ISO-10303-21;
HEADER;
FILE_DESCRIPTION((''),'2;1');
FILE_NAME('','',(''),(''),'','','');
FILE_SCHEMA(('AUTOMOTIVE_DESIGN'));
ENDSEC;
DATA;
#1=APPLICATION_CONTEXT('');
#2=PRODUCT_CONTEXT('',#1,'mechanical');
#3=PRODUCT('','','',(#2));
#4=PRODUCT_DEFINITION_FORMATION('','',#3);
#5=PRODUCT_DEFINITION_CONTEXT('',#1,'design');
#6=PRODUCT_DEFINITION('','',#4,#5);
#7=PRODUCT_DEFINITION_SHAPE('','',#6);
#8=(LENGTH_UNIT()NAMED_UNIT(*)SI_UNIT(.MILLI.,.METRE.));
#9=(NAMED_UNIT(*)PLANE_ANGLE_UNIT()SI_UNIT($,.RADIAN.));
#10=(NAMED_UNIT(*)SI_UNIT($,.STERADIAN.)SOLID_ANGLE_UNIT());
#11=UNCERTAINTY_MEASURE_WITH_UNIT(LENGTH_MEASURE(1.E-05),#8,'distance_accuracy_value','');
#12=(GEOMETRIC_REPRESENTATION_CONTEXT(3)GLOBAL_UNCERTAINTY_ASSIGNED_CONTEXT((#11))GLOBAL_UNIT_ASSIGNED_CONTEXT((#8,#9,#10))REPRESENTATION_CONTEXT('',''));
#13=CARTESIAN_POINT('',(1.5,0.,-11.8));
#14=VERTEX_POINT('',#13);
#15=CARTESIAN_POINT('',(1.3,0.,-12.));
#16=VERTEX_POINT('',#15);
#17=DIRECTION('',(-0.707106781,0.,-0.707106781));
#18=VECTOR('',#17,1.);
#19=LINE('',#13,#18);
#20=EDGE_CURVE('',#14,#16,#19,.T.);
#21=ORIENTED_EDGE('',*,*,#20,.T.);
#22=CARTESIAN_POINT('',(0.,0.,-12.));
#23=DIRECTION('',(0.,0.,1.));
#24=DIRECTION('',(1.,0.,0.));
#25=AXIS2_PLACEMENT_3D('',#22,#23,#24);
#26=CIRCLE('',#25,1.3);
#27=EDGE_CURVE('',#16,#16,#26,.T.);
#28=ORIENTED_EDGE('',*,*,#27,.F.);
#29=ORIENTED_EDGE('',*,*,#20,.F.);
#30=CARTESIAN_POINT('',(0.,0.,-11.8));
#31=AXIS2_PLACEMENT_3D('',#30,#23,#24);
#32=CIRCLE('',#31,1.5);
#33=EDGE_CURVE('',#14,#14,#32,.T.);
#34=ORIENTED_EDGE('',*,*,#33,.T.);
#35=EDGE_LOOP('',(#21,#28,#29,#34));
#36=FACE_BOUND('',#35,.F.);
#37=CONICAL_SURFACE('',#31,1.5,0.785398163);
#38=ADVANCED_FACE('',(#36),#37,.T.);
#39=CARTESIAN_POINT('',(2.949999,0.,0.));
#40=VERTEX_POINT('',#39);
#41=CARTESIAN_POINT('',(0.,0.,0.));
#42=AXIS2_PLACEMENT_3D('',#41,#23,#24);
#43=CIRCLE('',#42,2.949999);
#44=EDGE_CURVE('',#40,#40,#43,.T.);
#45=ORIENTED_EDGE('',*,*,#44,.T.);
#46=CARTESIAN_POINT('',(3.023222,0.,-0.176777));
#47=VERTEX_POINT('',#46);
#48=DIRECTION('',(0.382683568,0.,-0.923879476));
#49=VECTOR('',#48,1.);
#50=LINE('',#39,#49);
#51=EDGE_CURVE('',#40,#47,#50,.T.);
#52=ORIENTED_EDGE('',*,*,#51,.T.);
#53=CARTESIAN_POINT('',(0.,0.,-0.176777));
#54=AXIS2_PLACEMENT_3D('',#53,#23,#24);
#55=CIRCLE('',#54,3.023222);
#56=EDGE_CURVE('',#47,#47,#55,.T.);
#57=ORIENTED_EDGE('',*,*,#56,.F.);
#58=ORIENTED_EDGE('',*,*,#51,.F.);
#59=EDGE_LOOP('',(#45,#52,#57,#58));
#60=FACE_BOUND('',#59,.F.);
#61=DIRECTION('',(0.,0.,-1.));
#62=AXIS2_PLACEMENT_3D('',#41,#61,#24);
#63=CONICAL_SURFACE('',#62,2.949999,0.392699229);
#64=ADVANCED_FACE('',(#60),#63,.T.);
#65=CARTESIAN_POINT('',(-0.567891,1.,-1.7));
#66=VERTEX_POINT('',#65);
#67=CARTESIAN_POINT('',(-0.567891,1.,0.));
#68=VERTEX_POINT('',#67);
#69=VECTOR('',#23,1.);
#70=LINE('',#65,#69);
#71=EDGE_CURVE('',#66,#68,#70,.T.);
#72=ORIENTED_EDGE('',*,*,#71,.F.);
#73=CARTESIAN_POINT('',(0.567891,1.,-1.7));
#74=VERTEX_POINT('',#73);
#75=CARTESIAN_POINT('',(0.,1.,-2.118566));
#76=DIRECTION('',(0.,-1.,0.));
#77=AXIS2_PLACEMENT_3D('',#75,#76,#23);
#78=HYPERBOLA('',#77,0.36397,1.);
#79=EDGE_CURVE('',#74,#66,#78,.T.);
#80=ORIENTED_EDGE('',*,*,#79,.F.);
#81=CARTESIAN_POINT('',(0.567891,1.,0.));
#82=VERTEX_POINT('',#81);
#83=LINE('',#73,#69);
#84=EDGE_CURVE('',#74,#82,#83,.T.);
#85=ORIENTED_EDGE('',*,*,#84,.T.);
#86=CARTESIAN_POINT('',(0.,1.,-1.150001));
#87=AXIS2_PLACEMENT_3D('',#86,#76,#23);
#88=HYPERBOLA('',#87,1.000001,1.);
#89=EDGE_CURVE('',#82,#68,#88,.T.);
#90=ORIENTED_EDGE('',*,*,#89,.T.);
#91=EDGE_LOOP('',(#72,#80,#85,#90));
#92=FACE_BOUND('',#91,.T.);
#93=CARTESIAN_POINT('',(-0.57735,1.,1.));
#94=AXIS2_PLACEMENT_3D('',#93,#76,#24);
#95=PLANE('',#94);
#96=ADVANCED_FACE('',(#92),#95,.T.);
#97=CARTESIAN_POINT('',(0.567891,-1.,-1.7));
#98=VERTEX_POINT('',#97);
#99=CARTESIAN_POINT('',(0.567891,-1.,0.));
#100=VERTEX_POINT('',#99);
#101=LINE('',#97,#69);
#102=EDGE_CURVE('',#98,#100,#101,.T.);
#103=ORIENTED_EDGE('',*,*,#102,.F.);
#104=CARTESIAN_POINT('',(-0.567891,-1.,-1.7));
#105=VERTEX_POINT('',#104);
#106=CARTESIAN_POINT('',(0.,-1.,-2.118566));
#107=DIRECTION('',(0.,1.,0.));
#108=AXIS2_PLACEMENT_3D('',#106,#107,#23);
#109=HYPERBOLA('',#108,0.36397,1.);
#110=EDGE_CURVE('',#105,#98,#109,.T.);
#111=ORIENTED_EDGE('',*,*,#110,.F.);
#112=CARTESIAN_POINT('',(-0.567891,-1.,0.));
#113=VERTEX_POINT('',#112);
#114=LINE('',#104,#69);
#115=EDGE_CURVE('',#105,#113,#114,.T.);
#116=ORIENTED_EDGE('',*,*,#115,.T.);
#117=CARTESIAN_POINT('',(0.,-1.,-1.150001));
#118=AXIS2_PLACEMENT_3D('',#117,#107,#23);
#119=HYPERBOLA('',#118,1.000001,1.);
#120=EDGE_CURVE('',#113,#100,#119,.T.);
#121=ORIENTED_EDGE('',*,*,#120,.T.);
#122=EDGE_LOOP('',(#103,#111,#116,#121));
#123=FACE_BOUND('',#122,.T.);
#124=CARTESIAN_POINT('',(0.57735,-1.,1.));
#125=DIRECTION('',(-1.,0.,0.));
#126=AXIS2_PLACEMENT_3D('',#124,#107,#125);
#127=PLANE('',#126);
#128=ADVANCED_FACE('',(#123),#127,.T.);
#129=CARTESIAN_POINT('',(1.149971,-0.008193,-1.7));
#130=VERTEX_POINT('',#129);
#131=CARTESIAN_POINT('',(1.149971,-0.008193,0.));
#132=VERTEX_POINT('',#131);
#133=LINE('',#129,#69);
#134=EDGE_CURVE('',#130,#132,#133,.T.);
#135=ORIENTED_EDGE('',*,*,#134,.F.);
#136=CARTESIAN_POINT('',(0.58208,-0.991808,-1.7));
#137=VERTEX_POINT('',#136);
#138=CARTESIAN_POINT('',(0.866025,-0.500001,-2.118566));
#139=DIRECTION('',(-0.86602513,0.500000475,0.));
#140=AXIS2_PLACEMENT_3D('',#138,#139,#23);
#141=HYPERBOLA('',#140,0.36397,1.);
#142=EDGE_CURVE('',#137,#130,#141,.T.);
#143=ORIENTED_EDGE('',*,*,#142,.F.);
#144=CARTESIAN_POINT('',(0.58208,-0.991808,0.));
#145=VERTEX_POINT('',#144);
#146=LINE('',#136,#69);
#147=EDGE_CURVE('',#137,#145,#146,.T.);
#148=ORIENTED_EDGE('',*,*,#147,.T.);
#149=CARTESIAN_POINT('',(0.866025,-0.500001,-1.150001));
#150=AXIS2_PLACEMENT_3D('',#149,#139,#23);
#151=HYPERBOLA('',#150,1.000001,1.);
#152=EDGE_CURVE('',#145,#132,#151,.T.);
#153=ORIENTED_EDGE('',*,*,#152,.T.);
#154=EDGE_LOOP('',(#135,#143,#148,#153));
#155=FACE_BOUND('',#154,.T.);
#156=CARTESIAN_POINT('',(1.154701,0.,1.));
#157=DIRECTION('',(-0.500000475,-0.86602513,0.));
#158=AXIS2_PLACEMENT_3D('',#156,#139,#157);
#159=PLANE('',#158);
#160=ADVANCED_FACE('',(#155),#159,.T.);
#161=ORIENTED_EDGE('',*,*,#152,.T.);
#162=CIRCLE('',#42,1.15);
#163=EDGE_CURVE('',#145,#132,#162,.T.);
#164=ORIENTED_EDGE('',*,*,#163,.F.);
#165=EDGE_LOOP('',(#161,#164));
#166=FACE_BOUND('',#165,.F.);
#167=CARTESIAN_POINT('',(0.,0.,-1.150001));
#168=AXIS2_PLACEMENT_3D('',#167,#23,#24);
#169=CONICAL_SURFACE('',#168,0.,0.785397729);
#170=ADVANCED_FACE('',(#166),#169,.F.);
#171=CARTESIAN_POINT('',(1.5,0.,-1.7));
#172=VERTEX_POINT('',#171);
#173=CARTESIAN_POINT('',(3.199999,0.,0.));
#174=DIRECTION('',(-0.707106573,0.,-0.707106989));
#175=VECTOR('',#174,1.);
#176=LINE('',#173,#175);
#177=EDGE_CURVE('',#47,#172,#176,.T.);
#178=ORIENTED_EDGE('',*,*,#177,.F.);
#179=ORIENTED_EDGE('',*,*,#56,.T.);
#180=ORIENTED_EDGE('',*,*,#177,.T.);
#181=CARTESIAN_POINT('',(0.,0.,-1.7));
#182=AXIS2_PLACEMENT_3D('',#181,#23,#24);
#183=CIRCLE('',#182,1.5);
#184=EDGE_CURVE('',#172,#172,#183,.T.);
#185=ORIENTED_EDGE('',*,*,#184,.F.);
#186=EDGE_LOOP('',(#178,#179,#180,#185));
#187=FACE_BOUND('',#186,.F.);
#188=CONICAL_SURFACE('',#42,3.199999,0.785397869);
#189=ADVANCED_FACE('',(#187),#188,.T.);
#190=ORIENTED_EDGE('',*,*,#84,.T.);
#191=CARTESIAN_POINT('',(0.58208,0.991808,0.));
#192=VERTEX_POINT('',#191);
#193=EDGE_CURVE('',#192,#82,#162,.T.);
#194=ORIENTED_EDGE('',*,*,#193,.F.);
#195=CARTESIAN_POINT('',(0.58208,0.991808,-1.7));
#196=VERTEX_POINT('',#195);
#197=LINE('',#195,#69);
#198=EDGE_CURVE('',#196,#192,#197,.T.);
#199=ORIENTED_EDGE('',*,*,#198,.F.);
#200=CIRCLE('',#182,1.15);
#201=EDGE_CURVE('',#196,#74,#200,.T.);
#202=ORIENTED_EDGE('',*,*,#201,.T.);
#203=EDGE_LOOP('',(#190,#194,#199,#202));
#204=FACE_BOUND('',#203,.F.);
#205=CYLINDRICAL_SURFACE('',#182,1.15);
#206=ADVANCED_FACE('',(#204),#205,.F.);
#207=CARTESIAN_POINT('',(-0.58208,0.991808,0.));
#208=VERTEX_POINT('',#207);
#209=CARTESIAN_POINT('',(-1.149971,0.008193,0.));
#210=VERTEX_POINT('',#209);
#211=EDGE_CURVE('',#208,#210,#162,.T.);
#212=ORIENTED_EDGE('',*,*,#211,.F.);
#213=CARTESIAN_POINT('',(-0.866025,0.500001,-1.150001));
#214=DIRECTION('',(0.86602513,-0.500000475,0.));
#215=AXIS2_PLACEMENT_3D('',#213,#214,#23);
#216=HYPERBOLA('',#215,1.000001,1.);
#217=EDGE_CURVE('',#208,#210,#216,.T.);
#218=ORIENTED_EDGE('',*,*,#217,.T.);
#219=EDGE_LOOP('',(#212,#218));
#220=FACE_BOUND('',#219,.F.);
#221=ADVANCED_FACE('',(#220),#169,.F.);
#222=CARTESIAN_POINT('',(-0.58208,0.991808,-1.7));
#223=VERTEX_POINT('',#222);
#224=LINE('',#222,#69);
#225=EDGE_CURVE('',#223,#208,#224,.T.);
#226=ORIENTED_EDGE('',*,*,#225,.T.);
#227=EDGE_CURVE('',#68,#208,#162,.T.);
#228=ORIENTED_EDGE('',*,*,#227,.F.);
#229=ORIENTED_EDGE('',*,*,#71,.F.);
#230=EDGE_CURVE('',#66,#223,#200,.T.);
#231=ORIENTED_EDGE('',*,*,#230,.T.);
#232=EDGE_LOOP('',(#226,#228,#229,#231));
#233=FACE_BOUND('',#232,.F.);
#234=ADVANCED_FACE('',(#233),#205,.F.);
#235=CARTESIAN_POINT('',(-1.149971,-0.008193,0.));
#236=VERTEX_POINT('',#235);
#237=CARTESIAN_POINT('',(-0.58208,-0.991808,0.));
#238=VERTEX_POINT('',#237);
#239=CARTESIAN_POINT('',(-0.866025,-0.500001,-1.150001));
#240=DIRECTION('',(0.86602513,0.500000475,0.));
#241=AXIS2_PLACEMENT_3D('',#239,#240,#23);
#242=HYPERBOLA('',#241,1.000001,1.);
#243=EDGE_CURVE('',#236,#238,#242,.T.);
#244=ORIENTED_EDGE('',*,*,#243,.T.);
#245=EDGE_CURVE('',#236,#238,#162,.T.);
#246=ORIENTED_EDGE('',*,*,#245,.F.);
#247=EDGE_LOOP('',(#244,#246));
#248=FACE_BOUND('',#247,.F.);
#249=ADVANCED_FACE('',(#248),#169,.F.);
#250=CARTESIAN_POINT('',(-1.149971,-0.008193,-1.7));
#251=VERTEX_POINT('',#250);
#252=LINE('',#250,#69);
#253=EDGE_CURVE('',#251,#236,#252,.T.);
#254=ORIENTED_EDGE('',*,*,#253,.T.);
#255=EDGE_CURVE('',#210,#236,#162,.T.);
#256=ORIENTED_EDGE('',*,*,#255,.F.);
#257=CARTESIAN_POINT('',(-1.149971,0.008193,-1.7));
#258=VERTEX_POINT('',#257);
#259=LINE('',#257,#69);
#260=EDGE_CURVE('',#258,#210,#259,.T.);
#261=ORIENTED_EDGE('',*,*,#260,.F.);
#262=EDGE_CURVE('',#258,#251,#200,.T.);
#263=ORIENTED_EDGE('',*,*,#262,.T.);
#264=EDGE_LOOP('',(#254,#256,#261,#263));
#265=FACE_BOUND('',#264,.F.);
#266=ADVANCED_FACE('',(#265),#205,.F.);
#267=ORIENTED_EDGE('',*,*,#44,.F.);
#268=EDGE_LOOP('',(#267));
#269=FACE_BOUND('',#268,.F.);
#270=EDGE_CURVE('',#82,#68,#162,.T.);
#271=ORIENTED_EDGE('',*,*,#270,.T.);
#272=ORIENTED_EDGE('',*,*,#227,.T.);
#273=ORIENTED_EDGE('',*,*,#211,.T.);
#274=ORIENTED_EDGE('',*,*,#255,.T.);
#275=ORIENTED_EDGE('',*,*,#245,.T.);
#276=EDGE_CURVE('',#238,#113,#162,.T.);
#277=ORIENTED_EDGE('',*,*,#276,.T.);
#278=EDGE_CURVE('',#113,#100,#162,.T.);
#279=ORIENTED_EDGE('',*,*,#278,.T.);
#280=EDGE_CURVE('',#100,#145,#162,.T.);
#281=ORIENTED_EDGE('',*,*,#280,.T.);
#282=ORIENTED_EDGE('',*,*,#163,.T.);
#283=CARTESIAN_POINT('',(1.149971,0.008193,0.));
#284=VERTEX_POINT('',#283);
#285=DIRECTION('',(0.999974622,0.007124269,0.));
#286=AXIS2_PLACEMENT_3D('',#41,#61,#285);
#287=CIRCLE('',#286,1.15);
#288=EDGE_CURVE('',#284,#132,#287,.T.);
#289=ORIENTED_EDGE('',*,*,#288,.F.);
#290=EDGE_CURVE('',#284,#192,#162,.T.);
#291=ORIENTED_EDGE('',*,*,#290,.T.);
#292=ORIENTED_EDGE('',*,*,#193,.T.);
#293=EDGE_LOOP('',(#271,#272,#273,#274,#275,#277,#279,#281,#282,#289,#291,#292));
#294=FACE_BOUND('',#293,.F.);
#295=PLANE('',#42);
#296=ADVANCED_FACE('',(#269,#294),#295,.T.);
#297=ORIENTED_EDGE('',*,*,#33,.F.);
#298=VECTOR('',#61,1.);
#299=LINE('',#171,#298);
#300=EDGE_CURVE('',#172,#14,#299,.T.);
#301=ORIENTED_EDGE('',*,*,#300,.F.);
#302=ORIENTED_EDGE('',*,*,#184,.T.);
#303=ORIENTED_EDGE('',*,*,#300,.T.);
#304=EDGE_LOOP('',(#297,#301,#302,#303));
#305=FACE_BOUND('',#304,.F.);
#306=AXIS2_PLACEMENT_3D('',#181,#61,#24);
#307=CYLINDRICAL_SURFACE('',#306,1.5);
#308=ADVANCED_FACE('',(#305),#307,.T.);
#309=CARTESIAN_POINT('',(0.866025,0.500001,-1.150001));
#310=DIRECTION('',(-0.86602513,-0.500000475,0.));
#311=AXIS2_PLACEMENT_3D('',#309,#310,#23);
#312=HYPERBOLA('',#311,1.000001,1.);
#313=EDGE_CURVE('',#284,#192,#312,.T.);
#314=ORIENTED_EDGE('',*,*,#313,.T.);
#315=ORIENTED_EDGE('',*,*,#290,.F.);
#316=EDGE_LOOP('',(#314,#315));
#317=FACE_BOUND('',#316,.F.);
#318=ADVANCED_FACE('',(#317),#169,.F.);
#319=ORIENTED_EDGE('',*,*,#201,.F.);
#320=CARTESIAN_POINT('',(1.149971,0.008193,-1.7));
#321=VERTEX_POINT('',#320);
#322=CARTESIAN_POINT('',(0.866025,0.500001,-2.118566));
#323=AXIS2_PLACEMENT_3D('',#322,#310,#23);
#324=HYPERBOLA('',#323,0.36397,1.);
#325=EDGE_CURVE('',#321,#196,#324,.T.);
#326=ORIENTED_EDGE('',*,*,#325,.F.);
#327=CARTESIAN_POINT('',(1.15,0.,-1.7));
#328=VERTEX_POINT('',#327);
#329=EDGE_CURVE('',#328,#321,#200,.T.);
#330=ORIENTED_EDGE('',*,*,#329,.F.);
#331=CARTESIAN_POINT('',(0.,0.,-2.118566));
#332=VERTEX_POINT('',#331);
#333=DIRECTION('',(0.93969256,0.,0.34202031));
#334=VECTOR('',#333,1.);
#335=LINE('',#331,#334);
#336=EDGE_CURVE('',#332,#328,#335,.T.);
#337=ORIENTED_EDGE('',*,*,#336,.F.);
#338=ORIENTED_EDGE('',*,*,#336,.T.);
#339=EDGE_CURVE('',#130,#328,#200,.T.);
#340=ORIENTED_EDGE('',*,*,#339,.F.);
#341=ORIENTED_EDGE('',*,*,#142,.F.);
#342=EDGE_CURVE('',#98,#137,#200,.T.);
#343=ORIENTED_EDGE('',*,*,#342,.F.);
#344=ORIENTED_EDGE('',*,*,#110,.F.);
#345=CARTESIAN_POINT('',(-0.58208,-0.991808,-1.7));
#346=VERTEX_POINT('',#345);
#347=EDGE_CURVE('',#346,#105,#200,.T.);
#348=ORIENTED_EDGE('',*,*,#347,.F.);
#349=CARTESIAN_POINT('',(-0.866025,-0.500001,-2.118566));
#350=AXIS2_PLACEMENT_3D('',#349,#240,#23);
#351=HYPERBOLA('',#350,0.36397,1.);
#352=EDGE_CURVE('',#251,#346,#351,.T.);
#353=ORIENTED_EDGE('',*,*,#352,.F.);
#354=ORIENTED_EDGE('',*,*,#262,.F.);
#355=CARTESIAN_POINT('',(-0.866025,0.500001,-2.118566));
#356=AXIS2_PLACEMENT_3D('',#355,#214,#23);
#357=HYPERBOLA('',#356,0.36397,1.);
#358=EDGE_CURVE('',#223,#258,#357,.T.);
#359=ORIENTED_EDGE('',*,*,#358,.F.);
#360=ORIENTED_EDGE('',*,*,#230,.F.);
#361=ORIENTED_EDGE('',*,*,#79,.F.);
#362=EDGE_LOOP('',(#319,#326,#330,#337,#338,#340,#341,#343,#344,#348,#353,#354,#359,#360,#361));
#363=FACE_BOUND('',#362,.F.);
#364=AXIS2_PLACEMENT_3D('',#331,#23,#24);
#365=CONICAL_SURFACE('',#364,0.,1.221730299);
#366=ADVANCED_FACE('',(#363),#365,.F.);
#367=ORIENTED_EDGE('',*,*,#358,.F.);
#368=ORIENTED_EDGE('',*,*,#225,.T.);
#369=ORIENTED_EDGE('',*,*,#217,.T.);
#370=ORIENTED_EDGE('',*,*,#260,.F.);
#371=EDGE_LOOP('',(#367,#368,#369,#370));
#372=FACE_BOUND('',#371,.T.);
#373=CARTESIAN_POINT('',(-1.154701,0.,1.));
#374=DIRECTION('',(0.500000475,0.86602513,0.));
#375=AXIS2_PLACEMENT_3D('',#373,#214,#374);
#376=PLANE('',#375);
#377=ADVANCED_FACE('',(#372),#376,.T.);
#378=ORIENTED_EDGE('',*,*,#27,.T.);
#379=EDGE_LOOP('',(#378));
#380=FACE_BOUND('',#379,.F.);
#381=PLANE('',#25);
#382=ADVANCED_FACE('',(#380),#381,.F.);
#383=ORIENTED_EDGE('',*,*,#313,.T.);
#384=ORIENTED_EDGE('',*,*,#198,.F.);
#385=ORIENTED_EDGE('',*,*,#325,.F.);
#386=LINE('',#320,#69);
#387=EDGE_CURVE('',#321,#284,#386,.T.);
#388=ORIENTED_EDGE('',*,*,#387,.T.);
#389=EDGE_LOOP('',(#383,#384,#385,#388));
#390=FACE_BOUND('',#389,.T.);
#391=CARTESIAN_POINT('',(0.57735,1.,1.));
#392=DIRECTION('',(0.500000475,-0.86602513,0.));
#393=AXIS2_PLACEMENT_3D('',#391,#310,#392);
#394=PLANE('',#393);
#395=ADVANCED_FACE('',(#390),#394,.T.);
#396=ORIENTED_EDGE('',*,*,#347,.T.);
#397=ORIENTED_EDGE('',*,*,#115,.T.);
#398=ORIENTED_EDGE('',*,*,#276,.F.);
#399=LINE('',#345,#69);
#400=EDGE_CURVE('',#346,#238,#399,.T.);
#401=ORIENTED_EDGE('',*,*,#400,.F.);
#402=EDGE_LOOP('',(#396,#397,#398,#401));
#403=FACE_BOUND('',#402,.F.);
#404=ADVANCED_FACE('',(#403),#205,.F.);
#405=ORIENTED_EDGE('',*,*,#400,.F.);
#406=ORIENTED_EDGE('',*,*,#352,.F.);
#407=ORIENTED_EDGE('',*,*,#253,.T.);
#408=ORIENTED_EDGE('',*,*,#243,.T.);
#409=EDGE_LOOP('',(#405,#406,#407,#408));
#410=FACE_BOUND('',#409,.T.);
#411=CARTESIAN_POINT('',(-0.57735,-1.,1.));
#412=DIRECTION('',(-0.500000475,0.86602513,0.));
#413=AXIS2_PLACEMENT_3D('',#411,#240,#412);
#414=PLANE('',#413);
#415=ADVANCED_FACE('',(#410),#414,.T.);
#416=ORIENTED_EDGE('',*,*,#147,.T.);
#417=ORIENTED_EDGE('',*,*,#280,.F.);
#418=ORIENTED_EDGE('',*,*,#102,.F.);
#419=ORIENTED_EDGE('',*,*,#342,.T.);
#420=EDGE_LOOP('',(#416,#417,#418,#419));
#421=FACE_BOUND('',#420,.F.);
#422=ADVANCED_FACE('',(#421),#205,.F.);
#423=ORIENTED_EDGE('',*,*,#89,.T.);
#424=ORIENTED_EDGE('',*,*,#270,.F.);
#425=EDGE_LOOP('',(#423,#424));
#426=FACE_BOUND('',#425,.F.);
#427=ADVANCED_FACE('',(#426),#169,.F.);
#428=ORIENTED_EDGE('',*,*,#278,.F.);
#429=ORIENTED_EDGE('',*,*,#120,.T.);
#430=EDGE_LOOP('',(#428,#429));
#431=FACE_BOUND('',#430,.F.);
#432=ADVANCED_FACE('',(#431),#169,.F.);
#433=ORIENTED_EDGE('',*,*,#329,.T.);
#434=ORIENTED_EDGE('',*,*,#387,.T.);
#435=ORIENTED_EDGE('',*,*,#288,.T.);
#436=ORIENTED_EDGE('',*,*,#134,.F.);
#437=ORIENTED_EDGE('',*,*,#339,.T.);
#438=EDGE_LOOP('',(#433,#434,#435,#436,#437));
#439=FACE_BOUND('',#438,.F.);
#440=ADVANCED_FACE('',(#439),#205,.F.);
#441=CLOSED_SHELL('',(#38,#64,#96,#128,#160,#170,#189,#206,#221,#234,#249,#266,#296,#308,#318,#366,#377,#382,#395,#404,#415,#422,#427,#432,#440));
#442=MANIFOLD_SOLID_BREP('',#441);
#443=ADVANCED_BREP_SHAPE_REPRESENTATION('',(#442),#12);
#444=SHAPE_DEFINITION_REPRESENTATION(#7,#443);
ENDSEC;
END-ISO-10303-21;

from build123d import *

# Parameters (mm, degrees)
SKETCH001_R     = 2.15
POCKET_DEPTH    = 3.119566
CHAMFER_SIZE    = 0.25
CHAMFER001_SIZE = 0.2


with BuildPart() as pocket:
    # Sketch003 → Revolution001 (revolve)
    with BuildSketch(Plane.XZ):
        Polygon((0, -2.118566), (1.15, -1.7), (1.15, 1), (0, 1), align=None)
    revolve(axis=Axis((0, 0, 0), (0, 0, 1)))

    # Sketch001 → Pocket (cut, through all)
    with BuildSketch(Plane(origin=(0, 0, 1), x_dir=(-1, 0, 0), z_dir=(0, 0, 1))):
        Circle(SKETCH001_R)
        Polygon((-0.57735, 1), (0.57735, 1), (1.154701, 0), (0.57735, -1), (-0.57735, -1), (-1.154701, 0), align=None, mode=Mode.SUBTRACT)
    extrude(amount=-POCKET_DEPTH, mode=Mode.SUBTRACT)


with BuildPart() as chamfer001:
    # Sketch → Revolution (revolve)
    with BuildSketch(Plane.XZ):
        Polygon((1.15, 0), (3.199999, 0), (1.5, -1.7), (1.5, -12), (0, -12), (0, -1.150001), align=None)
    revolve(axis=Axis((0, 0, 0), (0, 0, 1)))

    # Cut: cut Pocket
    add(pocket.part, mode=Mode.SUBTRACT)

    # Chamfer
    chamfer_edges = [chamfer001.edges().sort_by_distance(p)[0] for p in [
        (-3.199999, 0, 0),
    ]]
    chamfer(chamfer_edges, length=CHAMFER_SIZE)

    # Chamfer001
    chamfer001_edges = [chamfer001.edges().sort_by_distance(p)[0] for p in [
        (-1.5, 0, -12),
    ]]
    chamfer(chamfer001_edges, length=CHAMFER001_SIZE)


solid = chamfer001.part
